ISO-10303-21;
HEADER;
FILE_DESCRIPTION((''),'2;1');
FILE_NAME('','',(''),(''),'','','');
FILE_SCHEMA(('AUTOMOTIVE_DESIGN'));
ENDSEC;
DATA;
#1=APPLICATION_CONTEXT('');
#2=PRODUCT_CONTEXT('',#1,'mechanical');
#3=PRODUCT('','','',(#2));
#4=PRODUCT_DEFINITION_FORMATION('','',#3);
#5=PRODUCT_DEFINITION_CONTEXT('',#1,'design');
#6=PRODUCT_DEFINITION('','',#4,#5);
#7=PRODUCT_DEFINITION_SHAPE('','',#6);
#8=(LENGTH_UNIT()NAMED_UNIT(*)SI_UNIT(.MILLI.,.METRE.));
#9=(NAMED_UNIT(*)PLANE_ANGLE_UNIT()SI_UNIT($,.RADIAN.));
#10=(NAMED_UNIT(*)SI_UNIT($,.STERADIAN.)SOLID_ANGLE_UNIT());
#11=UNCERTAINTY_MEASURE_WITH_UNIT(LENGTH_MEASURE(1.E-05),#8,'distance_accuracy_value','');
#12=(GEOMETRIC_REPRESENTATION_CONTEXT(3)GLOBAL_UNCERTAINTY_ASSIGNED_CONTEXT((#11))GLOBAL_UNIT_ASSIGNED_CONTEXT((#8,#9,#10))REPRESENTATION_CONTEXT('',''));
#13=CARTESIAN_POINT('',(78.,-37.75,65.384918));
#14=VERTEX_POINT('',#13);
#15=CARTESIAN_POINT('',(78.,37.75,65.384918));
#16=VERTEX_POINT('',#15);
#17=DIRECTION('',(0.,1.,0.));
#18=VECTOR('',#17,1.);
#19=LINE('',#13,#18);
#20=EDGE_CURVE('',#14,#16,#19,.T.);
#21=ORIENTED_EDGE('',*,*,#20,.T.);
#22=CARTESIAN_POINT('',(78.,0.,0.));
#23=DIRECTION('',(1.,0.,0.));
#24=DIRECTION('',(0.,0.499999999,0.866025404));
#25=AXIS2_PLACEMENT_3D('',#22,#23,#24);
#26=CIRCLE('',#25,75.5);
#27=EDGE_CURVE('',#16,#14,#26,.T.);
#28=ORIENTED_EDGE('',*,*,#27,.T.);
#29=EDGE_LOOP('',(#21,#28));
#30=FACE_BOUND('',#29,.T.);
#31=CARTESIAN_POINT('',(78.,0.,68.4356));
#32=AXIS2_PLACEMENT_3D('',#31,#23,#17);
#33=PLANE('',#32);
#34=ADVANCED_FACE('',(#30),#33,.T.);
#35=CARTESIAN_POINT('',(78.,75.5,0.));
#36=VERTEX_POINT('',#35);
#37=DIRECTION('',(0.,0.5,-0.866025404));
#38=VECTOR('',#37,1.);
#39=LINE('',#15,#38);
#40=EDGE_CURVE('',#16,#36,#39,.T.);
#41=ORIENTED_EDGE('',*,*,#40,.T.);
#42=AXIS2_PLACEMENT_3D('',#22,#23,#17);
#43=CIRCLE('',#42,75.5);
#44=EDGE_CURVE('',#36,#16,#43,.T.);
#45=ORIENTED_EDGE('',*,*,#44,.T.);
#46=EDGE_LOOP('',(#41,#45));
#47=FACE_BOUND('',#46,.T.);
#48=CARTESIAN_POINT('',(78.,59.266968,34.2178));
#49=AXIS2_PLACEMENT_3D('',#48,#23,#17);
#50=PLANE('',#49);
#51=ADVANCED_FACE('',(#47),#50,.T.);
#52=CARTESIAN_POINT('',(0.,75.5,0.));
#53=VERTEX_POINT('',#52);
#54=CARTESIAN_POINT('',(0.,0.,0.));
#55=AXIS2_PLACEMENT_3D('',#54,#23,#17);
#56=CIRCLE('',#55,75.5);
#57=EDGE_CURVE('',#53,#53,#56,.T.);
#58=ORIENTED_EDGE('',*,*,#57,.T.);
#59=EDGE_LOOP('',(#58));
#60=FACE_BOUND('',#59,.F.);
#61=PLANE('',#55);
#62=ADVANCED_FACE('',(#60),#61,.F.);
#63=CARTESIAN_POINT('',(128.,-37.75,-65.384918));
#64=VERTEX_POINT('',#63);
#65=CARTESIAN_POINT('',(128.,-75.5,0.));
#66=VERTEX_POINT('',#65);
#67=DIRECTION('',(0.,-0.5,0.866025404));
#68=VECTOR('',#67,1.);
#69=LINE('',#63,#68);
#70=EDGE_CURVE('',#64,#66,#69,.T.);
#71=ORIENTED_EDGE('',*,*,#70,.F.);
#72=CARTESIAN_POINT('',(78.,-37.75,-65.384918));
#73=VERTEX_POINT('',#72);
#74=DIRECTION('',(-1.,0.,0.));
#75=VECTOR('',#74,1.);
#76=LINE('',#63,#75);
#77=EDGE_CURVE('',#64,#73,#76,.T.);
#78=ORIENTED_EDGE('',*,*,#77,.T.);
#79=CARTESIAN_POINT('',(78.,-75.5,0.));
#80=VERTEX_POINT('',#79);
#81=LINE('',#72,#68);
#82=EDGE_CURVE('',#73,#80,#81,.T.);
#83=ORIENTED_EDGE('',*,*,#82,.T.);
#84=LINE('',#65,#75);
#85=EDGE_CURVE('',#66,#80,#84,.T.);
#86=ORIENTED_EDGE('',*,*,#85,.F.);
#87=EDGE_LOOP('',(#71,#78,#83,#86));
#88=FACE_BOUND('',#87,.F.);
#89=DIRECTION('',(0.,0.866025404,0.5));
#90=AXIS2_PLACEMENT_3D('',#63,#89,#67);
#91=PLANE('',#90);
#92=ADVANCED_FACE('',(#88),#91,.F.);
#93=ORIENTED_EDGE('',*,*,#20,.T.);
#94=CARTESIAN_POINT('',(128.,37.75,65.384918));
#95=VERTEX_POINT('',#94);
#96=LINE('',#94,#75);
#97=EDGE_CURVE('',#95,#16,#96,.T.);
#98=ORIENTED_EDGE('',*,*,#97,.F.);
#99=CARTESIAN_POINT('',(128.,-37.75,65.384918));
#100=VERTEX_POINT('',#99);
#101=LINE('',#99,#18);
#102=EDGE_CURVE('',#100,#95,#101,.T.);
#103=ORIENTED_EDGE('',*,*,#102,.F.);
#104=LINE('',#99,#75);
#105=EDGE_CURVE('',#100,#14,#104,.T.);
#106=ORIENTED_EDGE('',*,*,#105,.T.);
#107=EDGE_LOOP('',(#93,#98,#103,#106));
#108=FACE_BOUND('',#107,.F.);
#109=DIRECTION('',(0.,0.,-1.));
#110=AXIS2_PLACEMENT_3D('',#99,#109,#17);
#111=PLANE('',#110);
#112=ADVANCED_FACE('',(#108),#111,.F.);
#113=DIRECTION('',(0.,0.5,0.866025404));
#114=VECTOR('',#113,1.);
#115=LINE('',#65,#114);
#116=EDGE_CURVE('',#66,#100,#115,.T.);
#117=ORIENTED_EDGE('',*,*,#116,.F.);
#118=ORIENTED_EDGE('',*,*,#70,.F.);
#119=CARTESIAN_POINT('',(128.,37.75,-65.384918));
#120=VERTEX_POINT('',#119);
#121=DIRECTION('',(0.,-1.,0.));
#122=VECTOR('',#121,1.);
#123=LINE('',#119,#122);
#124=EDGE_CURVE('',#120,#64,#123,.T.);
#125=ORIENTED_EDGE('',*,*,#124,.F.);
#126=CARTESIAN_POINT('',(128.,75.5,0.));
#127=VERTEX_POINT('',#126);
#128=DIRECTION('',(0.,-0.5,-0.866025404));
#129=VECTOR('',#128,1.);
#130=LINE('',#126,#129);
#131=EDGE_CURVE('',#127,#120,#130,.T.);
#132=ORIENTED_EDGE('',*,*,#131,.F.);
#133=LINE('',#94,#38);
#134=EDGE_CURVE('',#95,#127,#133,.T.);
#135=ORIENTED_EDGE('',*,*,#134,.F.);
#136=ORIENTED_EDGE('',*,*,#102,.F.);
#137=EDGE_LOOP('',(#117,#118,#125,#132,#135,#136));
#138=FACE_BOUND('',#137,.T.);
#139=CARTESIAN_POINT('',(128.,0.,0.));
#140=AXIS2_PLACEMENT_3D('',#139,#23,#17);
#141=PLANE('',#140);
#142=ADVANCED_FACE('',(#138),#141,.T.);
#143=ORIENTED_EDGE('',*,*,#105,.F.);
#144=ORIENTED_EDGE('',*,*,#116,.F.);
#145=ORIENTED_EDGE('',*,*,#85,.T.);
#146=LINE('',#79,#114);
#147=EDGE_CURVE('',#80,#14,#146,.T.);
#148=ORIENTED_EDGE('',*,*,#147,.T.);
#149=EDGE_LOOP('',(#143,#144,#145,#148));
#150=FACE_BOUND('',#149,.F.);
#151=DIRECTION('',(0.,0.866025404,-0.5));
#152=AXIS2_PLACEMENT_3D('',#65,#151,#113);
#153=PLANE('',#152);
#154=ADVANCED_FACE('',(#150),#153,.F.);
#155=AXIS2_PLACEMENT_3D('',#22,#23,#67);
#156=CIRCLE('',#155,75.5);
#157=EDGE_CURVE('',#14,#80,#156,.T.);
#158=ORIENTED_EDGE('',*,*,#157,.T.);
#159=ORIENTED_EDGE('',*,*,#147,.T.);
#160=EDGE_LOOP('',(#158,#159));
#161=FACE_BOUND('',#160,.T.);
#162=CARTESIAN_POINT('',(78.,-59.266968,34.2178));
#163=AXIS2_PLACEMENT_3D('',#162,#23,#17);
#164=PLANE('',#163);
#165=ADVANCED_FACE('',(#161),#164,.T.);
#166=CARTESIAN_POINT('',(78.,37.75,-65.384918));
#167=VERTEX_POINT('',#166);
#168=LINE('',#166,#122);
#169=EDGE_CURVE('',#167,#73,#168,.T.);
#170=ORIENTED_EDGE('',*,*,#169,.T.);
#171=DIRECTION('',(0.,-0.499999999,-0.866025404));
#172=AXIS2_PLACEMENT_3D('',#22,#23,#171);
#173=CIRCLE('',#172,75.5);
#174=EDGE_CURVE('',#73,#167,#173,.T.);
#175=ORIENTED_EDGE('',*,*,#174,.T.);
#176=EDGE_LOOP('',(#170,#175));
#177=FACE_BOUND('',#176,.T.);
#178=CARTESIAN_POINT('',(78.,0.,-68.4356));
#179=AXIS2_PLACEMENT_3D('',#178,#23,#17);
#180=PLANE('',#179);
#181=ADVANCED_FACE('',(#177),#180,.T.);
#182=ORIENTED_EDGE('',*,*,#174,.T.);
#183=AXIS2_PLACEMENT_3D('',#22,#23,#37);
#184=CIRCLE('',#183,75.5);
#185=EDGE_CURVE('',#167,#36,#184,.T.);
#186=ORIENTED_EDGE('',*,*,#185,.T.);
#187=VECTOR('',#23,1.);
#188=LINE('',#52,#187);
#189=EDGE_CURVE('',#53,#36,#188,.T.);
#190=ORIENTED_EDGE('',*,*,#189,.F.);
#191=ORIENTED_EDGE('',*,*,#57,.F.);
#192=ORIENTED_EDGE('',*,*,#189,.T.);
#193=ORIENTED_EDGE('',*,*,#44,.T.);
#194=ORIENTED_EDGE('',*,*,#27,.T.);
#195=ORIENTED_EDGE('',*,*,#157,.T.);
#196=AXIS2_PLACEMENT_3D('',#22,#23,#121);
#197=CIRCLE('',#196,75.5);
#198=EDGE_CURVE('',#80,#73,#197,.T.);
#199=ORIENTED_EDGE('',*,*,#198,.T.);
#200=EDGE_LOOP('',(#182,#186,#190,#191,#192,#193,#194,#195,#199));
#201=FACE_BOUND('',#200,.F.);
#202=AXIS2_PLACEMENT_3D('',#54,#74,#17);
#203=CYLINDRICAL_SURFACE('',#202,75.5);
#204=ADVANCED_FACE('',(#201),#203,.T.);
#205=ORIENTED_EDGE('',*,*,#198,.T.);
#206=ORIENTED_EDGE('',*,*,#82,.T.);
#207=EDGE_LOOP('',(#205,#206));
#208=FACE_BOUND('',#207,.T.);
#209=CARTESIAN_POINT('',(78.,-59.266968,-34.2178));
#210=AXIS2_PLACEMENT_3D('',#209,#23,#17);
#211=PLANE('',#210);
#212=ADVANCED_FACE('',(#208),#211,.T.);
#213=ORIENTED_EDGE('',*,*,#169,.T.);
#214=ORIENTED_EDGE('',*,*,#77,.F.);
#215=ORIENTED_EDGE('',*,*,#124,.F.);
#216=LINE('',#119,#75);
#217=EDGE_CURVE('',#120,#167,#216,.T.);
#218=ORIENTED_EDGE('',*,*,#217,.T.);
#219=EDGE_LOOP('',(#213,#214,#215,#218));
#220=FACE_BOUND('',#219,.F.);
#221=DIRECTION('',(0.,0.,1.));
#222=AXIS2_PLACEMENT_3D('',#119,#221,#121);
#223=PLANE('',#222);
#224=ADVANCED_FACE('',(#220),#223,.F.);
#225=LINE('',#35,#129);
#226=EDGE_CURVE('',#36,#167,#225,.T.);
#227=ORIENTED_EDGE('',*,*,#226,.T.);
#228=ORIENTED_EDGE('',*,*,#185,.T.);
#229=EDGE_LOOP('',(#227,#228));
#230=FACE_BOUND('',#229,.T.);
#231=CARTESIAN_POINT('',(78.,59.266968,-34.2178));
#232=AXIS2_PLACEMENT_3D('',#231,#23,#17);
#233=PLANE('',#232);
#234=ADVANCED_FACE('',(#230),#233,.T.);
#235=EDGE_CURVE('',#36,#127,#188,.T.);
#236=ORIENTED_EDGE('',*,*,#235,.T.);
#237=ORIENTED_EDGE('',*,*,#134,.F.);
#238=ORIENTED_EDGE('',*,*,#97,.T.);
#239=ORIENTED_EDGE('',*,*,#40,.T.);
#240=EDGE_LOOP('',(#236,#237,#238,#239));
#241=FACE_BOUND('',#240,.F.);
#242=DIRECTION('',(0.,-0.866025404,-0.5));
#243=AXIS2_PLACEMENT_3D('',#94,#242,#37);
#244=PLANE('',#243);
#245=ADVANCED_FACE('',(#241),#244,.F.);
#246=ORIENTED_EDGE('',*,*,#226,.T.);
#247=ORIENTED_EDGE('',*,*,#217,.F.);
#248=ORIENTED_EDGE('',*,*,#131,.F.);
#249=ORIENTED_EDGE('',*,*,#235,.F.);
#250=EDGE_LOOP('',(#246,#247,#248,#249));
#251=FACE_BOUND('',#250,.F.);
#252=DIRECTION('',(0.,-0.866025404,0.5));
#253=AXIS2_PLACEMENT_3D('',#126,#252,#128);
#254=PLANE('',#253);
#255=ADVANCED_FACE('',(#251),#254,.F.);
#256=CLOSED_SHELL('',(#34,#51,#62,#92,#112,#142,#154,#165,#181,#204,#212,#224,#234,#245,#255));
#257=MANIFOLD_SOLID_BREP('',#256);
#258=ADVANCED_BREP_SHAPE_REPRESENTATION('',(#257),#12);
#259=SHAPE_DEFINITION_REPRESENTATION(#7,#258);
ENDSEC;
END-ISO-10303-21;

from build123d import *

# Parameters (mm, degrees)
F0_R     = 75.5
F1_DEPTH = 128
F3_DEPTH = 50


with BuildPart() as f1:
    # F0 (on Right) → F1 (new body)
    with BuildSketch(Plane.YZ):
        Circle(F0_R)
    extrude(amount=F1_DEPTH)

    # F2 (on face) → F3 (cut)
    with BuildSketch(Plane.YZ.offset(128)):
        with BuildLine():
            Line((-75.5, 0), (-37.75, 65.384918))
            ThreePointArc((-37.75, 65.384918), (-65.384918, 37.75), (-75.5, 0))
        make_face()
        with BuildLine():
            ThreePointArc((37.75, 65.384918), (0, 75.5), (-37.75, 65.384918))
            Line((-37.75, 65.384918), (37.75, 65.384918))
        make_face()
        with BuildLine():
            ThreePointArc((75.5, 0), (65.384918, 37.75), (37.75, 65.384918))
            Line((37.75, 65.384918), (75.5, 0))
        make_face()
        with BuildLine():
            ThreePointArc((37.75, -65.384918), (65.384918, -37.75), (75.5, 0))
            Line((75.5, 0), (37.75, -65.384918))
        make_face()
        with BuildLine():
            Line((37.75, -65.384918), (-37.75, -65.384918))
            ThreePointArc((-37.75, -65.384918), (0, -75.5), (37.75, -65.384918))
        make_face()
        with BuildLine():
            Line((-37.75, -65.384918), (-75.5, 0))
            ThreePointArc((-75.5, 0), (-65.384918, -37.75), (-37.75, -65.384918))
        make_face()
    extrude(amount=-F3_DEPTH, mode=Mode.SUBTRACT)


with BuildPart() as f1_1:
    # F4: moved
    add(f1.part)


solid = f1_1.part
